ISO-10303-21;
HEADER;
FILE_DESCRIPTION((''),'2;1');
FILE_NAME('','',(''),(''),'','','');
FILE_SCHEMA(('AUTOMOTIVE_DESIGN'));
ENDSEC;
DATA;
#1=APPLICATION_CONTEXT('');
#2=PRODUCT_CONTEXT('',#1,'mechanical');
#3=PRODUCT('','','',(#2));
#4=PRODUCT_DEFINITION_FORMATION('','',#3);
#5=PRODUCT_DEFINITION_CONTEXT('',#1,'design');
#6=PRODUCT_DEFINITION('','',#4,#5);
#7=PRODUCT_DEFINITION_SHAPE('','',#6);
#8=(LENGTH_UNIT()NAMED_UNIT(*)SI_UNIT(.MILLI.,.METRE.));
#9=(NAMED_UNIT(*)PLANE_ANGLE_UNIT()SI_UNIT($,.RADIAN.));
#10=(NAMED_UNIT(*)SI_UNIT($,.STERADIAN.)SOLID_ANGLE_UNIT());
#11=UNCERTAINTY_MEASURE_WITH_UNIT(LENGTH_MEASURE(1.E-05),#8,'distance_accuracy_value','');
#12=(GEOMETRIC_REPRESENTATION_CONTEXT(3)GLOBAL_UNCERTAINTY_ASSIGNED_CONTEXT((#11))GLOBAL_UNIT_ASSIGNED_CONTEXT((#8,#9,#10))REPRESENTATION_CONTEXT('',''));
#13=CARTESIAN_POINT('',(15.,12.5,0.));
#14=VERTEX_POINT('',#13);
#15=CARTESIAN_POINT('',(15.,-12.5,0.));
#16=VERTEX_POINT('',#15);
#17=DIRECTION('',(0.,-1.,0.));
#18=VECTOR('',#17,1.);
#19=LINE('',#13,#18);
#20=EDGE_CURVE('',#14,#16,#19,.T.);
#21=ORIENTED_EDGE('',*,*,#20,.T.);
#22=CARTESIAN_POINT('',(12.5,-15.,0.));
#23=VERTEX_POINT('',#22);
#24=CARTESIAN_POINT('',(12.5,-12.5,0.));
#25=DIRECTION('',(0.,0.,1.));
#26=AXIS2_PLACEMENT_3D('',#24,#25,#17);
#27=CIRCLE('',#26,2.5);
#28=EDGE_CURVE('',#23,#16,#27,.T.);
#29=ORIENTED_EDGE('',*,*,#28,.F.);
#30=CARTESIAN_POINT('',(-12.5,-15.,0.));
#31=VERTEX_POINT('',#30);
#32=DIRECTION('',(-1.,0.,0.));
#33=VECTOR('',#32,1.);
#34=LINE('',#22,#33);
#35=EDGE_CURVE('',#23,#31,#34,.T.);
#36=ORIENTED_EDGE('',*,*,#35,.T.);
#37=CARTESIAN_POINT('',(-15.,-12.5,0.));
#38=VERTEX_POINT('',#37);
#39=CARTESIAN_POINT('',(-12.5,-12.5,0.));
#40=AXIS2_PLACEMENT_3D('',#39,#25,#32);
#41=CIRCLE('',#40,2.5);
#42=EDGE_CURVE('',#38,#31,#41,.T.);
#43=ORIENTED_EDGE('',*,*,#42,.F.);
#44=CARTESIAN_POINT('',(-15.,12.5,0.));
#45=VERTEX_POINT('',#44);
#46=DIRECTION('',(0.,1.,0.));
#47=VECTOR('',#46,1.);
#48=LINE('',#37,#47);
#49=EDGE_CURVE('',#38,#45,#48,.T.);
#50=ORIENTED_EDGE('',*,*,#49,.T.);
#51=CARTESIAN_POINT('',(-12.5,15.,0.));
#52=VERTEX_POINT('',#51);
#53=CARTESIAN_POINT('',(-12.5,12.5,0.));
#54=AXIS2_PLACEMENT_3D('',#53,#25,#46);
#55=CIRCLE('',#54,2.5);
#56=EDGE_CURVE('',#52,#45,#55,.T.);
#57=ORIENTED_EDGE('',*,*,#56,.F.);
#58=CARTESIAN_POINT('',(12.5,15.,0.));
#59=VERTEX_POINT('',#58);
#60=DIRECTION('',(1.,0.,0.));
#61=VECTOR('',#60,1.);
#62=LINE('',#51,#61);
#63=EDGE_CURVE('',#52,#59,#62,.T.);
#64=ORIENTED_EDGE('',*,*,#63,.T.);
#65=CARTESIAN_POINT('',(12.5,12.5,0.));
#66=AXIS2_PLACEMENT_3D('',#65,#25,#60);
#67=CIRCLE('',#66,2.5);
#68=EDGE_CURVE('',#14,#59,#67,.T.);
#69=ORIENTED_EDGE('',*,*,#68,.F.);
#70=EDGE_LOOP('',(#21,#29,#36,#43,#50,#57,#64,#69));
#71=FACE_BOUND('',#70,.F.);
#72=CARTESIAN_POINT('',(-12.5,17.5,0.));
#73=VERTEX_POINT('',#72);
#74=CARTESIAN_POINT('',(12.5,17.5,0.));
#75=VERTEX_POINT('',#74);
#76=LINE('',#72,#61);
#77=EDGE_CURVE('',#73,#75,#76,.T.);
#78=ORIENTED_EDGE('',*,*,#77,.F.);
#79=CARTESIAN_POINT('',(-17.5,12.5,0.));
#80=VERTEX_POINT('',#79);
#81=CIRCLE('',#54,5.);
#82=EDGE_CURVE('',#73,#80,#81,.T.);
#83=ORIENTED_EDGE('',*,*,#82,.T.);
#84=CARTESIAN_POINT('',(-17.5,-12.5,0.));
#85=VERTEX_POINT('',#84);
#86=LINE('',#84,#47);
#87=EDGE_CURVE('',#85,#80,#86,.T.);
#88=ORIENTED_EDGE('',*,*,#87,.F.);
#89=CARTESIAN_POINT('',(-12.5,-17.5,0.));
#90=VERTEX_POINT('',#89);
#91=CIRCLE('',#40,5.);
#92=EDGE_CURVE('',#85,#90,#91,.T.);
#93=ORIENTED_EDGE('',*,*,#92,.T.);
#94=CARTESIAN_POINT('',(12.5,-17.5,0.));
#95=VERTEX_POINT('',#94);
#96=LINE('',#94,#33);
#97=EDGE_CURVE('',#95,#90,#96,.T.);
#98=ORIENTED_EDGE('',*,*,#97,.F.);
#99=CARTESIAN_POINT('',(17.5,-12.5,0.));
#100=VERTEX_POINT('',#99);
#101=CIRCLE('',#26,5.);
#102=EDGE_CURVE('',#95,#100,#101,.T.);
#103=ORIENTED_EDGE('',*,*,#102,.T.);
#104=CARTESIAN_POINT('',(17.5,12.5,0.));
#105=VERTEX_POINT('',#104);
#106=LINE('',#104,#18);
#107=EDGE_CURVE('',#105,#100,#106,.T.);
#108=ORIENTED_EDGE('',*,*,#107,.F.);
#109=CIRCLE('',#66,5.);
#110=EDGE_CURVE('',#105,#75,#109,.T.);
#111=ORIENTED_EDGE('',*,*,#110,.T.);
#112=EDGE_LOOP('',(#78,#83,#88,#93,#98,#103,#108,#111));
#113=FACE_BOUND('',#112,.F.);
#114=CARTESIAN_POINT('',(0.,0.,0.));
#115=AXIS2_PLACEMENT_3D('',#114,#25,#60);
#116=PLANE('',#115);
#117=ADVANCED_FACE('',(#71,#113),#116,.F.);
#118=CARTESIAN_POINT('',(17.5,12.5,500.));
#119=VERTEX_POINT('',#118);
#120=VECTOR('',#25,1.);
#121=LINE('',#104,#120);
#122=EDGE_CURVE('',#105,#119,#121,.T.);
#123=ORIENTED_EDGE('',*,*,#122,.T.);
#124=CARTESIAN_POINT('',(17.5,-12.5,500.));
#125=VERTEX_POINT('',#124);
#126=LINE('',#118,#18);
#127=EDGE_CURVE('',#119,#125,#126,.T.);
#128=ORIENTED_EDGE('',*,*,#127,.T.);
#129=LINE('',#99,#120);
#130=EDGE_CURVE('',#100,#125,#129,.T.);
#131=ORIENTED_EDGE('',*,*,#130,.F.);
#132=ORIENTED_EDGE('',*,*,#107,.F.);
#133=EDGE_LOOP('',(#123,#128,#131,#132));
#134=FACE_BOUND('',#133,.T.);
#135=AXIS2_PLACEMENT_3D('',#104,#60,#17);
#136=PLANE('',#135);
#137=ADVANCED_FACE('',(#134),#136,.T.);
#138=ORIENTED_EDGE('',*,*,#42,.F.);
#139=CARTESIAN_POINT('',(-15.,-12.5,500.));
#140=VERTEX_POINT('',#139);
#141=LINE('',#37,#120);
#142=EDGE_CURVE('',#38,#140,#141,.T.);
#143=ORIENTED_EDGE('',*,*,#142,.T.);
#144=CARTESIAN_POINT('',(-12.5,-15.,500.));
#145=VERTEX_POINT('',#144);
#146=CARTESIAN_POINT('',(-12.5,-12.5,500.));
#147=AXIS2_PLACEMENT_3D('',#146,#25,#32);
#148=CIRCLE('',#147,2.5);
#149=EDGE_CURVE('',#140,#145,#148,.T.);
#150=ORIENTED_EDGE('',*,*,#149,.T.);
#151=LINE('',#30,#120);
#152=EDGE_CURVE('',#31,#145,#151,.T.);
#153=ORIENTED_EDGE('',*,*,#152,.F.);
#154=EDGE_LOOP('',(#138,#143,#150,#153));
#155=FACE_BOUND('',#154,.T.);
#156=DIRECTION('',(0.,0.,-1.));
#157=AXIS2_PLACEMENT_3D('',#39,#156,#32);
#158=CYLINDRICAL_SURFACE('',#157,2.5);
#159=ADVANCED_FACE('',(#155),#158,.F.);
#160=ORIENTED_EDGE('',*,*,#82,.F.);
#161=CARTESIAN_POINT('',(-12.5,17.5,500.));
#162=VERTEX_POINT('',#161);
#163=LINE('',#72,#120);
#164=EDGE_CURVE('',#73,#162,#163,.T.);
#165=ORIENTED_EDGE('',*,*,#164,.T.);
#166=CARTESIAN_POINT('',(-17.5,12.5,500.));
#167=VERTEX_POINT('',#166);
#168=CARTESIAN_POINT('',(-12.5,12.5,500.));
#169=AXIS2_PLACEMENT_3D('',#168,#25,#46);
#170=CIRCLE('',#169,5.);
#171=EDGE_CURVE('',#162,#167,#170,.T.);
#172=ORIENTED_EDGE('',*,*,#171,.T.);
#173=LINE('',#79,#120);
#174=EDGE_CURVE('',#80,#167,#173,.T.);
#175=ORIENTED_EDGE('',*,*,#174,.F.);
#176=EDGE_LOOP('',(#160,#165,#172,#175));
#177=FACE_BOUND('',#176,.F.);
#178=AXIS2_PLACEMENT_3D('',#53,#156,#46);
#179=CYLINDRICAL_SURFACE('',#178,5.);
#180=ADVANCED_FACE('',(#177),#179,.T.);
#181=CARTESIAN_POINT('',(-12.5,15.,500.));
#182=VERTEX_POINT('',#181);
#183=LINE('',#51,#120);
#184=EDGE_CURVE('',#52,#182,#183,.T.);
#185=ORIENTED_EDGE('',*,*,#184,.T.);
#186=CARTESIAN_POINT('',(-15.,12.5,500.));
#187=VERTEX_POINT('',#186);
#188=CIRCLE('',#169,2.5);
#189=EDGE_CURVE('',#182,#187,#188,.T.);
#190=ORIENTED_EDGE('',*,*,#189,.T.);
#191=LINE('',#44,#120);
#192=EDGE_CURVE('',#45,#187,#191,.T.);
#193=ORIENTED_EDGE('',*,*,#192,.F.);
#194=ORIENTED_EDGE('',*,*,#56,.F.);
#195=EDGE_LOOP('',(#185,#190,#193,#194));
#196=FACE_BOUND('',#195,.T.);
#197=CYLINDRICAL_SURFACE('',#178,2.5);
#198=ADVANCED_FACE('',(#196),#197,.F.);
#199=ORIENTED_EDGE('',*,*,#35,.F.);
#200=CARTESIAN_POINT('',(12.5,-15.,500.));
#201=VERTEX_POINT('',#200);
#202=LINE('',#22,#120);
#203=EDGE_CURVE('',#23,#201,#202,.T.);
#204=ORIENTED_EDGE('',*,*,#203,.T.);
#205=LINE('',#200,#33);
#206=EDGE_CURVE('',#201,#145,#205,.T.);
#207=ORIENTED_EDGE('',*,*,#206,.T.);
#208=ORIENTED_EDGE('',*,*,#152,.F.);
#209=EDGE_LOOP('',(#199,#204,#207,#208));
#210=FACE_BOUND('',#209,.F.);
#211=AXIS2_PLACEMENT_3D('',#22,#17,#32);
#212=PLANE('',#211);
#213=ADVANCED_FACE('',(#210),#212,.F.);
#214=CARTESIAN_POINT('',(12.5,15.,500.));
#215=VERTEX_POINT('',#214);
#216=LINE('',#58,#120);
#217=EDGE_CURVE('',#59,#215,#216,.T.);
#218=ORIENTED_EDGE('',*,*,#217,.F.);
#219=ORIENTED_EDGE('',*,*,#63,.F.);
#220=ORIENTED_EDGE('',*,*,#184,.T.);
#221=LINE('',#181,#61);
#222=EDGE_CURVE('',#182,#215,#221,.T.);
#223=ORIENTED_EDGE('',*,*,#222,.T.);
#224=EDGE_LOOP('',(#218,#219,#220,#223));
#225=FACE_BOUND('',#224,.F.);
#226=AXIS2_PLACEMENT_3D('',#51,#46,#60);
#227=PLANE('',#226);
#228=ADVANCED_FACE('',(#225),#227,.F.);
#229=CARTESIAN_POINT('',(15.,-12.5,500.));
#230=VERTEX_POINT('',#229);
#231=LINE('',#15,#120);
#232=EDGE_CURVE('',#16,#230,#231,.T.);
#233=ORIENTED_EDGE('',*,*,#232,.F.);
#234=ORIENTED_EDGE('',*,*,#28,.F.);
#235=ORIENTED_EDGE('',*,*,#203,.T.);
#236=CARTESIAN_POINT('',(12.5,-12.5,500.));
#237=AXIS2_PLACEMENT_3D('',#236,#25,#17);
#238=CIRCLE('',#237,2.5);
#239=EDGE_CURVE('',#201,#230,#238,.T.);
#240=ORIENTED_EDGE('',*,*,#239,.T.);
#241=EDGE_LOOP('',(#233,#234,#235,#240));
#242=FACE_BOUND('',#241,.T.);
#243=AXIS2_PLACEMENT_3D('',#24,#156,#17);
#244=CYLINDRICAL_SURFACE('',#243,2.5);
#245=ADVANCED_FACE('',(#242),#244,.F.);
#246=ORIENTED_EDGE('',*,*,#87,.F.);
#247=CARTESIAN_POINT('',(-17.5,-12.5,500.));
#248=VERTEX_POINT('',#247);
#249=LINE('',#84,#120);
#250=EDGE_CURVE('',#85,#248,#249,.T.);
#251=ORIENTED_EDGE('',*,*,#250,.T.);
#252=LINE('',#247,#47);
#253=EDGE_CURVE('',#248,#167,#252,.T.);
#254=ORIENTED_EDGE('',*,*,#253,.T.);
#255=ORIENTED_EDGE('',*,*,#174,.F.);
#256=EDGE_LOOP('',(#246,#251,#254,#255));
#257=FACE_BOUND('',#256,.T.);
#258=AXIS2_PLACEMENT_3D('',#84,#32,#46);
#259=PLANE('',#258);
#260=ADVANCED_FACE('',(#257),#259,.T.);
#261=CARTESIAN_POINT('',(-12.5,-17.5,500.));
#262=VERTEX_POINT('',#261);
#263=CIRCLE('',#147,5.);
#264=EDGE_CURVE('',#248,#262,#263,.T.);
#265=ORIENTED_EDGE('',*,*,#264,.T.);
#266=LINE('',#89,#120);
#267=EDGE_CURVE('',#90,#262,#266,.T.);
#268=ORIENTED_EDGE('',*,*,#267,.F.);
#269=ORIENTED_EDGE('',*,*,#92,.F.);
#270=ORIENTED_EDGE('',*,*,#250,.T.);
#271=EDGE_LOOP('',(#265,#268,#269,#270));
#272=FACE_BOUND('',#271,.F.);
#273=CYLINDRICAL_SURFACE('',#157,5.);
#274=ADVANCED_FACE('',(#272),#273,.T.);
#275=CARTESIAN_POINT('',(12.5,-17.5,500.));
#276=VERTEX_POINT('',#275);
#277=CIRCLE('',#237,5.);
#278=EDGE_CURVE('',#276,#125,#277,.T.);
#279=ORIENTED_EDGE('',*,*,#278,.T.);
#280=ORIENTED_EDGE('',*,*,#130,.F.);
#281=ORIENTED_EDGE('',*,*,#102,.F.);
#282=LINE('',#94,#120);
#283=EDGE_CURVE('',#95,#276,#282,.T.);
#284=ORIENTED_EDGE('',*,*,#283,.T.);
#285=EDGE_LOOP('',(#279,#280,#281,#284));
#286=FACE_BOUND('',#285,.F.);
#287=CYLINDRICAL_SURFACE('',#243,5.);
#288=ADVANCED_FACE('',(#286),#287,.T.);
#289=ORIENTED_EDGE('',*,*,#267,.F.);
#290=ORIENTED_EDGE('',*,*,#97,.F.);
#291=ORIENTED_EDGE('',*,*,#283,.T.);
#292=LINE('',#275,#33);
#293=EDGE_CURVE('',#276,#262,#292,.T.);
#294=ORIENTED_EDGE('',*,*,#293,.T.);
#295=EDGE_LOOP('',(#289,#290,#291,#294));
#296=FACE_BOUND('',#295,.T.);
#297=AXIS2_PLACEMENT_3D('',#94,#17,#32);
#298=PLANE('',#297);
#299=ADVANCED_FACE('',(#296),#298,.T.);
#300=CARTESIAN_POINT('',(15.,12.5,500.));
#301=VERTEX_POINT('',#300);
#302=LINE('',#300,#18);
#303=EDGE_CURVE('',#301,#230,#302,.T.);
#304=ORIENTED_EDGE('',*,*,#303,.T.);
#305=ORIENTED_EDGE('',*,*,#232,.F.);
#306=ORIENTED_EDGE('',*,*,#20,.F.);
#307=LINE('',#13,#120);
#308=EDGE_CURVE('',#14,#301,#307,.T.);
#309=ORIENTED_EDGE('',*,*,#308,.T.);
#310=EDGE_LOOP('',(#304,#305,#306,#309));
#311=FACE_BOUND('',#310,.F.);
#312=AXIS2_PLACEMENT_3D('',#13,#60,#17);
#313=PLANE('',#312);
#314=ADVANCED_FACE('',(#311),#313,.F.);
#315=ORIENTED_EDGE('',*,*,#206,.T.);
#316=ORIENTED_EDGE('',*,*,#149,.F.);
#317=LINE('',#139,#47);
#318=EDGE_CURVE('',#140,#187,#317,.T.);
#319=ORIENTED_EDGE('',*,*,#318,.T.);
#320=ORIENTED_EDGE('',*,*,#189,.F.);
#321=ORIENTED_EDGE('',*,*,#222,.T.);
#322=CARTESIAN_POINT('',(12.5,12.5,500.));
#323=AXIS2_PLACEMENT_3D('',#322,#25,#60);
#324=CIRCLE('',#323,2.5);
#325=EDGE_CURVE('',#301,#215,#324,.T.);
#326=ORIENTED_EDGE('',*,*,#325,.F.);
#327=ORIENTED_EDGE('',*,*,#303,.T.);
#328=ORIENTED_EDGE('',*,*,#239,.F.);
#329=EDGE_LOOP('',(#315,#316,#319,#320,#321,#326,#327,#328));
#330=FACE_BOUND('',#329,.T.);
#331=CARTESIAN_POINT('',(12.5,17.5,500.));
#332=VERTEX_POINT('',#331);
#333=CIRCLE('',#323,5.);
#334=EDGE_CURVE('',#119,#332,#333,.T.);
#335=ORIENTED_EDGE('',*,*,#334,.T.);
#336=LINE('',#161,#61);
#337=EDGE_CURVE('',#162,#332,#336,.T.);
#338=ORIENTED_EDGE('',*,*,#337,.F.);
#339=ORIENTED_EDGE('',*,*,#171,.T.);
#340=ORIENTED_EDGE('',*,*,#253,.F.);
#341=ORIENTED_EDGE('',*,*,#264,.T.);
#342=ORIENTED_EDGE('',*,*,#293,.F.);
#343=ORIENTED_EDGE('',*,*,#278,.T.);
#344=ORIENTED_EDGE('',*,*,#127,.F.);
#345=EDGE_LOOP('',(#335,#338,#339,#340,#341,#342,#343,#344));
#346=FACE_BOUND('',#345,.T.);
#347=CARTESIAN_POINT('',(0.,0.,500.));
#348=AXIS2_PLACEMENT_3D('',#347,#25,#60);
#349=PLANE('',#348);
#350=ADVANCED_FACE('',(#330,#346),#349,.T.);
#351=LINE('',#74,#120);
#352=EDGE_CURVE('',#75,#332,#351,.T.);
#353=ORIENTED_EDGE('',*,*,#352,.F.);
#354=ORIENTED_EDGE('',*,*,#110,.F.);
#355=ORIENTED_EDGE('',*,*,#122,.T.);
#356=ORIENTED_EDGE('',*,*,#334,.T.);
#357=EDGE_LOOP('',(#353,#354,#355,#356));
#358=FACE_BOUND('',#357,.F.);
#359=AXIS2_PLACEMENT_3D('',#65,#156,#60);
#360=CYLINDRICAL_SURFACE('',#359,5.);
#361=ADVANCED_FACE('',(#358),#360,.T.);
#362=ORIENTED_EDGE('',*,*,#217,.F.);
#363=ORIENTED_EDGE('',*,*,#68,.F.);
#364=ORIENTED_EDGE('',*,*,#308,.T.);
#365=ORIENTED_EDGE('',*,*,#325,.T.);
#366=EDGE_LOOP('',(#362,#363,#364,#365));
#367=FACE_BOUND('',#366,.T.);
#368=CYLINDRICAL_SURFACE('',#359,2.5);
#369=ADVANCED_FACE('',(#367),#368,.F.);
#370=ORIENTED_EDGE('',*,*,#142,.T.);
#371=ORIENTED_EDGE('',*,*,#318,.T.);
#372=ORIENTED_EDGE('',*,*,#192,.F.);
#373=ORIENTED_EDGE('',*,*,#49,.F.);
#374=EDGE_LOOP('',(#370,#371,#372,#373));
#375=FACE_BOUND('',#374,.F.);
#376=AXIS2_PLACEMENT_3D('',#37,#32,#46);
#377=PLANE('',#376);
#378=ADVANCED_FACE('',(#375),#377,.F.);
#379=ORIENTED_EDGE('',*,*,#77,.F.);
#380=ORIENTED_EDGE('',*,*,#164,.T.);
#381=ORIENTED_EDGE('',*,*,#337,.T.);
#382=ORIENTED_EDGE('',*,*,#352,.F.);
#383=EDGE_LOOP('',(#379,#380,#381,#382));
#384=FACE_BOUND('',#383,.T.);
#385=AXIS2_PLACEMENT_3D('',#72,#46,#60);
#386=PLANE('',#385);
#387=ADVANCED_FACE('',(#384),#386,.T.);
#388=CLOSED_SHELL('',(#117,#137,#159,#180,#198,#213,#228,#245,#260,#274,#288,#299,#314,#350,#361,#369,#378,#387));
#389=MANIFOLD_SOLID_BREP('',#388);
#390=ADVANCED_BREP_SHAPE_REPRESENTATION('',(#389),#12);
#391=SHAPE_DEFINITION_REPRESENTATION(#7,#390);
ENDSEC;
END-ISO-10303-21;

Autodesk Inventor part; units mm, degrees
ref_plane "YZ Plane" through (0, 0, 0) normal (1, 0, 0) x (0, 1, 0)
ref_plane "Start plane" through (0, 0, 0) normal (0, 0, 1) x (1, 0, 0)
ref_plane "End plane" through (0, 0, 500) normal (0, 0, 1) x (1, 0, 0)
sketch "Sketch" plane through (0, 0, 0) normal (0, 0, 1) x (1, 0, 0)
  line L0 (-17.5, -12.5) -> (-17.5, 12.5)
  line L1 (-12.5, 17.5) -> (12.5, 17.5)
  line L2 (17.5, 12.5) -> (17.5, -12.5)
  line L3 (12.5, -17.5) -> (-12.5, -17.5)
  arc A0 (-17.5, -12.5) -> (-12.5, -17.5) centre (-12.5, -12.5) ccw
  arc A1 (-12.5, 17.5) -> (-17.5, 12.5) centre (-12.5, 12.5) ccw
  arc A2 (17.5, 12.5) -> (12.5, 17.5) centre (12.5, 12.5) ccw
  arc A3 (12.5, -17.5) -> (17.5, -12.5) centre (12.5, -12.5) ccw
  arc A4 (-12.5, 15) -> (-15, 12.5) centre (-12.5, 12.5) ccw
  line L4 (-12.5, 15) -> (12.5, 15)
  arc A5 (15, 12.5) -> (12.5, 15) centre (12.5, 12.5) ccw
  line L5 (15, 12.5) -> (15, -12.5)
  arc A6 (12.5, -15) -> (15, -12.5) centre (12.5, -12.5) ccw
  line L6 (12.5, -15) -> (-12.5, -15)
  arc A7 (-15, -12.5) -> (-12.5, -15) centre (-12.5, -12.5) ccw
  line L7 (-15, -12.5) -> (-15, 12.5)
  line L8 (0, 25.4278) -> (0, -25.4278) construction
  line L9 (-25.4278, 0) -> (25.4278, 0) construction
  dimension "d7" = 5
  dimension "d10" = 35
  dimension "d11" = 35
  dimension "d12" = 2.5
  dimension "d15" = 17.5
  dimension "d16" = 17.5
extrude "Body" add sketch "Sketch" along normal up to surface (500 mm away) from surface at 0
sketch "Sketch3" plane through (0, 0, 0) normal (0, 0, 1) x (1, 0, 0)
  line L0 (0, 0) -> (10, 0)
ref_plane "Work Plane3" through (0, 0, 0) normal (0, -1, 0) x (1, 0, 0)
sketch "Sketch4" plane through (0, 0, 0) normal (0, -1, 0) x (1, 0, 0)
  line L0 (-2, 0) -> (12, 0)
  line L1 (-2, 500) -> (12, 500)
  dimension "d18" = 500
equation "\"d7\" = G_IR"
equation "\"d10\" = G_H"
equation "\"d11\" = G_W"
equation "\"d12\" = G_T"
equation "\"d15\" = 0.5 * d10"
equation "\"d16\" = 0.5 * d11"
equation "\"d3\" = G_L"
equation "\"G_W\" = 35"
equation "\"G_H\" = 35"
equation "\"G_T\" = 2.5"
equation "\"G_IR\" = 5"
equation "\"G_L\" = d18"
equation "\"G_OFFSET_START\" = 0"
equation "\"G_OFFSET_END\" = 0"
properties part number "AS 1163 - C350L0 35x35x2.5 SHS - 500" material "Steel, Mild"
